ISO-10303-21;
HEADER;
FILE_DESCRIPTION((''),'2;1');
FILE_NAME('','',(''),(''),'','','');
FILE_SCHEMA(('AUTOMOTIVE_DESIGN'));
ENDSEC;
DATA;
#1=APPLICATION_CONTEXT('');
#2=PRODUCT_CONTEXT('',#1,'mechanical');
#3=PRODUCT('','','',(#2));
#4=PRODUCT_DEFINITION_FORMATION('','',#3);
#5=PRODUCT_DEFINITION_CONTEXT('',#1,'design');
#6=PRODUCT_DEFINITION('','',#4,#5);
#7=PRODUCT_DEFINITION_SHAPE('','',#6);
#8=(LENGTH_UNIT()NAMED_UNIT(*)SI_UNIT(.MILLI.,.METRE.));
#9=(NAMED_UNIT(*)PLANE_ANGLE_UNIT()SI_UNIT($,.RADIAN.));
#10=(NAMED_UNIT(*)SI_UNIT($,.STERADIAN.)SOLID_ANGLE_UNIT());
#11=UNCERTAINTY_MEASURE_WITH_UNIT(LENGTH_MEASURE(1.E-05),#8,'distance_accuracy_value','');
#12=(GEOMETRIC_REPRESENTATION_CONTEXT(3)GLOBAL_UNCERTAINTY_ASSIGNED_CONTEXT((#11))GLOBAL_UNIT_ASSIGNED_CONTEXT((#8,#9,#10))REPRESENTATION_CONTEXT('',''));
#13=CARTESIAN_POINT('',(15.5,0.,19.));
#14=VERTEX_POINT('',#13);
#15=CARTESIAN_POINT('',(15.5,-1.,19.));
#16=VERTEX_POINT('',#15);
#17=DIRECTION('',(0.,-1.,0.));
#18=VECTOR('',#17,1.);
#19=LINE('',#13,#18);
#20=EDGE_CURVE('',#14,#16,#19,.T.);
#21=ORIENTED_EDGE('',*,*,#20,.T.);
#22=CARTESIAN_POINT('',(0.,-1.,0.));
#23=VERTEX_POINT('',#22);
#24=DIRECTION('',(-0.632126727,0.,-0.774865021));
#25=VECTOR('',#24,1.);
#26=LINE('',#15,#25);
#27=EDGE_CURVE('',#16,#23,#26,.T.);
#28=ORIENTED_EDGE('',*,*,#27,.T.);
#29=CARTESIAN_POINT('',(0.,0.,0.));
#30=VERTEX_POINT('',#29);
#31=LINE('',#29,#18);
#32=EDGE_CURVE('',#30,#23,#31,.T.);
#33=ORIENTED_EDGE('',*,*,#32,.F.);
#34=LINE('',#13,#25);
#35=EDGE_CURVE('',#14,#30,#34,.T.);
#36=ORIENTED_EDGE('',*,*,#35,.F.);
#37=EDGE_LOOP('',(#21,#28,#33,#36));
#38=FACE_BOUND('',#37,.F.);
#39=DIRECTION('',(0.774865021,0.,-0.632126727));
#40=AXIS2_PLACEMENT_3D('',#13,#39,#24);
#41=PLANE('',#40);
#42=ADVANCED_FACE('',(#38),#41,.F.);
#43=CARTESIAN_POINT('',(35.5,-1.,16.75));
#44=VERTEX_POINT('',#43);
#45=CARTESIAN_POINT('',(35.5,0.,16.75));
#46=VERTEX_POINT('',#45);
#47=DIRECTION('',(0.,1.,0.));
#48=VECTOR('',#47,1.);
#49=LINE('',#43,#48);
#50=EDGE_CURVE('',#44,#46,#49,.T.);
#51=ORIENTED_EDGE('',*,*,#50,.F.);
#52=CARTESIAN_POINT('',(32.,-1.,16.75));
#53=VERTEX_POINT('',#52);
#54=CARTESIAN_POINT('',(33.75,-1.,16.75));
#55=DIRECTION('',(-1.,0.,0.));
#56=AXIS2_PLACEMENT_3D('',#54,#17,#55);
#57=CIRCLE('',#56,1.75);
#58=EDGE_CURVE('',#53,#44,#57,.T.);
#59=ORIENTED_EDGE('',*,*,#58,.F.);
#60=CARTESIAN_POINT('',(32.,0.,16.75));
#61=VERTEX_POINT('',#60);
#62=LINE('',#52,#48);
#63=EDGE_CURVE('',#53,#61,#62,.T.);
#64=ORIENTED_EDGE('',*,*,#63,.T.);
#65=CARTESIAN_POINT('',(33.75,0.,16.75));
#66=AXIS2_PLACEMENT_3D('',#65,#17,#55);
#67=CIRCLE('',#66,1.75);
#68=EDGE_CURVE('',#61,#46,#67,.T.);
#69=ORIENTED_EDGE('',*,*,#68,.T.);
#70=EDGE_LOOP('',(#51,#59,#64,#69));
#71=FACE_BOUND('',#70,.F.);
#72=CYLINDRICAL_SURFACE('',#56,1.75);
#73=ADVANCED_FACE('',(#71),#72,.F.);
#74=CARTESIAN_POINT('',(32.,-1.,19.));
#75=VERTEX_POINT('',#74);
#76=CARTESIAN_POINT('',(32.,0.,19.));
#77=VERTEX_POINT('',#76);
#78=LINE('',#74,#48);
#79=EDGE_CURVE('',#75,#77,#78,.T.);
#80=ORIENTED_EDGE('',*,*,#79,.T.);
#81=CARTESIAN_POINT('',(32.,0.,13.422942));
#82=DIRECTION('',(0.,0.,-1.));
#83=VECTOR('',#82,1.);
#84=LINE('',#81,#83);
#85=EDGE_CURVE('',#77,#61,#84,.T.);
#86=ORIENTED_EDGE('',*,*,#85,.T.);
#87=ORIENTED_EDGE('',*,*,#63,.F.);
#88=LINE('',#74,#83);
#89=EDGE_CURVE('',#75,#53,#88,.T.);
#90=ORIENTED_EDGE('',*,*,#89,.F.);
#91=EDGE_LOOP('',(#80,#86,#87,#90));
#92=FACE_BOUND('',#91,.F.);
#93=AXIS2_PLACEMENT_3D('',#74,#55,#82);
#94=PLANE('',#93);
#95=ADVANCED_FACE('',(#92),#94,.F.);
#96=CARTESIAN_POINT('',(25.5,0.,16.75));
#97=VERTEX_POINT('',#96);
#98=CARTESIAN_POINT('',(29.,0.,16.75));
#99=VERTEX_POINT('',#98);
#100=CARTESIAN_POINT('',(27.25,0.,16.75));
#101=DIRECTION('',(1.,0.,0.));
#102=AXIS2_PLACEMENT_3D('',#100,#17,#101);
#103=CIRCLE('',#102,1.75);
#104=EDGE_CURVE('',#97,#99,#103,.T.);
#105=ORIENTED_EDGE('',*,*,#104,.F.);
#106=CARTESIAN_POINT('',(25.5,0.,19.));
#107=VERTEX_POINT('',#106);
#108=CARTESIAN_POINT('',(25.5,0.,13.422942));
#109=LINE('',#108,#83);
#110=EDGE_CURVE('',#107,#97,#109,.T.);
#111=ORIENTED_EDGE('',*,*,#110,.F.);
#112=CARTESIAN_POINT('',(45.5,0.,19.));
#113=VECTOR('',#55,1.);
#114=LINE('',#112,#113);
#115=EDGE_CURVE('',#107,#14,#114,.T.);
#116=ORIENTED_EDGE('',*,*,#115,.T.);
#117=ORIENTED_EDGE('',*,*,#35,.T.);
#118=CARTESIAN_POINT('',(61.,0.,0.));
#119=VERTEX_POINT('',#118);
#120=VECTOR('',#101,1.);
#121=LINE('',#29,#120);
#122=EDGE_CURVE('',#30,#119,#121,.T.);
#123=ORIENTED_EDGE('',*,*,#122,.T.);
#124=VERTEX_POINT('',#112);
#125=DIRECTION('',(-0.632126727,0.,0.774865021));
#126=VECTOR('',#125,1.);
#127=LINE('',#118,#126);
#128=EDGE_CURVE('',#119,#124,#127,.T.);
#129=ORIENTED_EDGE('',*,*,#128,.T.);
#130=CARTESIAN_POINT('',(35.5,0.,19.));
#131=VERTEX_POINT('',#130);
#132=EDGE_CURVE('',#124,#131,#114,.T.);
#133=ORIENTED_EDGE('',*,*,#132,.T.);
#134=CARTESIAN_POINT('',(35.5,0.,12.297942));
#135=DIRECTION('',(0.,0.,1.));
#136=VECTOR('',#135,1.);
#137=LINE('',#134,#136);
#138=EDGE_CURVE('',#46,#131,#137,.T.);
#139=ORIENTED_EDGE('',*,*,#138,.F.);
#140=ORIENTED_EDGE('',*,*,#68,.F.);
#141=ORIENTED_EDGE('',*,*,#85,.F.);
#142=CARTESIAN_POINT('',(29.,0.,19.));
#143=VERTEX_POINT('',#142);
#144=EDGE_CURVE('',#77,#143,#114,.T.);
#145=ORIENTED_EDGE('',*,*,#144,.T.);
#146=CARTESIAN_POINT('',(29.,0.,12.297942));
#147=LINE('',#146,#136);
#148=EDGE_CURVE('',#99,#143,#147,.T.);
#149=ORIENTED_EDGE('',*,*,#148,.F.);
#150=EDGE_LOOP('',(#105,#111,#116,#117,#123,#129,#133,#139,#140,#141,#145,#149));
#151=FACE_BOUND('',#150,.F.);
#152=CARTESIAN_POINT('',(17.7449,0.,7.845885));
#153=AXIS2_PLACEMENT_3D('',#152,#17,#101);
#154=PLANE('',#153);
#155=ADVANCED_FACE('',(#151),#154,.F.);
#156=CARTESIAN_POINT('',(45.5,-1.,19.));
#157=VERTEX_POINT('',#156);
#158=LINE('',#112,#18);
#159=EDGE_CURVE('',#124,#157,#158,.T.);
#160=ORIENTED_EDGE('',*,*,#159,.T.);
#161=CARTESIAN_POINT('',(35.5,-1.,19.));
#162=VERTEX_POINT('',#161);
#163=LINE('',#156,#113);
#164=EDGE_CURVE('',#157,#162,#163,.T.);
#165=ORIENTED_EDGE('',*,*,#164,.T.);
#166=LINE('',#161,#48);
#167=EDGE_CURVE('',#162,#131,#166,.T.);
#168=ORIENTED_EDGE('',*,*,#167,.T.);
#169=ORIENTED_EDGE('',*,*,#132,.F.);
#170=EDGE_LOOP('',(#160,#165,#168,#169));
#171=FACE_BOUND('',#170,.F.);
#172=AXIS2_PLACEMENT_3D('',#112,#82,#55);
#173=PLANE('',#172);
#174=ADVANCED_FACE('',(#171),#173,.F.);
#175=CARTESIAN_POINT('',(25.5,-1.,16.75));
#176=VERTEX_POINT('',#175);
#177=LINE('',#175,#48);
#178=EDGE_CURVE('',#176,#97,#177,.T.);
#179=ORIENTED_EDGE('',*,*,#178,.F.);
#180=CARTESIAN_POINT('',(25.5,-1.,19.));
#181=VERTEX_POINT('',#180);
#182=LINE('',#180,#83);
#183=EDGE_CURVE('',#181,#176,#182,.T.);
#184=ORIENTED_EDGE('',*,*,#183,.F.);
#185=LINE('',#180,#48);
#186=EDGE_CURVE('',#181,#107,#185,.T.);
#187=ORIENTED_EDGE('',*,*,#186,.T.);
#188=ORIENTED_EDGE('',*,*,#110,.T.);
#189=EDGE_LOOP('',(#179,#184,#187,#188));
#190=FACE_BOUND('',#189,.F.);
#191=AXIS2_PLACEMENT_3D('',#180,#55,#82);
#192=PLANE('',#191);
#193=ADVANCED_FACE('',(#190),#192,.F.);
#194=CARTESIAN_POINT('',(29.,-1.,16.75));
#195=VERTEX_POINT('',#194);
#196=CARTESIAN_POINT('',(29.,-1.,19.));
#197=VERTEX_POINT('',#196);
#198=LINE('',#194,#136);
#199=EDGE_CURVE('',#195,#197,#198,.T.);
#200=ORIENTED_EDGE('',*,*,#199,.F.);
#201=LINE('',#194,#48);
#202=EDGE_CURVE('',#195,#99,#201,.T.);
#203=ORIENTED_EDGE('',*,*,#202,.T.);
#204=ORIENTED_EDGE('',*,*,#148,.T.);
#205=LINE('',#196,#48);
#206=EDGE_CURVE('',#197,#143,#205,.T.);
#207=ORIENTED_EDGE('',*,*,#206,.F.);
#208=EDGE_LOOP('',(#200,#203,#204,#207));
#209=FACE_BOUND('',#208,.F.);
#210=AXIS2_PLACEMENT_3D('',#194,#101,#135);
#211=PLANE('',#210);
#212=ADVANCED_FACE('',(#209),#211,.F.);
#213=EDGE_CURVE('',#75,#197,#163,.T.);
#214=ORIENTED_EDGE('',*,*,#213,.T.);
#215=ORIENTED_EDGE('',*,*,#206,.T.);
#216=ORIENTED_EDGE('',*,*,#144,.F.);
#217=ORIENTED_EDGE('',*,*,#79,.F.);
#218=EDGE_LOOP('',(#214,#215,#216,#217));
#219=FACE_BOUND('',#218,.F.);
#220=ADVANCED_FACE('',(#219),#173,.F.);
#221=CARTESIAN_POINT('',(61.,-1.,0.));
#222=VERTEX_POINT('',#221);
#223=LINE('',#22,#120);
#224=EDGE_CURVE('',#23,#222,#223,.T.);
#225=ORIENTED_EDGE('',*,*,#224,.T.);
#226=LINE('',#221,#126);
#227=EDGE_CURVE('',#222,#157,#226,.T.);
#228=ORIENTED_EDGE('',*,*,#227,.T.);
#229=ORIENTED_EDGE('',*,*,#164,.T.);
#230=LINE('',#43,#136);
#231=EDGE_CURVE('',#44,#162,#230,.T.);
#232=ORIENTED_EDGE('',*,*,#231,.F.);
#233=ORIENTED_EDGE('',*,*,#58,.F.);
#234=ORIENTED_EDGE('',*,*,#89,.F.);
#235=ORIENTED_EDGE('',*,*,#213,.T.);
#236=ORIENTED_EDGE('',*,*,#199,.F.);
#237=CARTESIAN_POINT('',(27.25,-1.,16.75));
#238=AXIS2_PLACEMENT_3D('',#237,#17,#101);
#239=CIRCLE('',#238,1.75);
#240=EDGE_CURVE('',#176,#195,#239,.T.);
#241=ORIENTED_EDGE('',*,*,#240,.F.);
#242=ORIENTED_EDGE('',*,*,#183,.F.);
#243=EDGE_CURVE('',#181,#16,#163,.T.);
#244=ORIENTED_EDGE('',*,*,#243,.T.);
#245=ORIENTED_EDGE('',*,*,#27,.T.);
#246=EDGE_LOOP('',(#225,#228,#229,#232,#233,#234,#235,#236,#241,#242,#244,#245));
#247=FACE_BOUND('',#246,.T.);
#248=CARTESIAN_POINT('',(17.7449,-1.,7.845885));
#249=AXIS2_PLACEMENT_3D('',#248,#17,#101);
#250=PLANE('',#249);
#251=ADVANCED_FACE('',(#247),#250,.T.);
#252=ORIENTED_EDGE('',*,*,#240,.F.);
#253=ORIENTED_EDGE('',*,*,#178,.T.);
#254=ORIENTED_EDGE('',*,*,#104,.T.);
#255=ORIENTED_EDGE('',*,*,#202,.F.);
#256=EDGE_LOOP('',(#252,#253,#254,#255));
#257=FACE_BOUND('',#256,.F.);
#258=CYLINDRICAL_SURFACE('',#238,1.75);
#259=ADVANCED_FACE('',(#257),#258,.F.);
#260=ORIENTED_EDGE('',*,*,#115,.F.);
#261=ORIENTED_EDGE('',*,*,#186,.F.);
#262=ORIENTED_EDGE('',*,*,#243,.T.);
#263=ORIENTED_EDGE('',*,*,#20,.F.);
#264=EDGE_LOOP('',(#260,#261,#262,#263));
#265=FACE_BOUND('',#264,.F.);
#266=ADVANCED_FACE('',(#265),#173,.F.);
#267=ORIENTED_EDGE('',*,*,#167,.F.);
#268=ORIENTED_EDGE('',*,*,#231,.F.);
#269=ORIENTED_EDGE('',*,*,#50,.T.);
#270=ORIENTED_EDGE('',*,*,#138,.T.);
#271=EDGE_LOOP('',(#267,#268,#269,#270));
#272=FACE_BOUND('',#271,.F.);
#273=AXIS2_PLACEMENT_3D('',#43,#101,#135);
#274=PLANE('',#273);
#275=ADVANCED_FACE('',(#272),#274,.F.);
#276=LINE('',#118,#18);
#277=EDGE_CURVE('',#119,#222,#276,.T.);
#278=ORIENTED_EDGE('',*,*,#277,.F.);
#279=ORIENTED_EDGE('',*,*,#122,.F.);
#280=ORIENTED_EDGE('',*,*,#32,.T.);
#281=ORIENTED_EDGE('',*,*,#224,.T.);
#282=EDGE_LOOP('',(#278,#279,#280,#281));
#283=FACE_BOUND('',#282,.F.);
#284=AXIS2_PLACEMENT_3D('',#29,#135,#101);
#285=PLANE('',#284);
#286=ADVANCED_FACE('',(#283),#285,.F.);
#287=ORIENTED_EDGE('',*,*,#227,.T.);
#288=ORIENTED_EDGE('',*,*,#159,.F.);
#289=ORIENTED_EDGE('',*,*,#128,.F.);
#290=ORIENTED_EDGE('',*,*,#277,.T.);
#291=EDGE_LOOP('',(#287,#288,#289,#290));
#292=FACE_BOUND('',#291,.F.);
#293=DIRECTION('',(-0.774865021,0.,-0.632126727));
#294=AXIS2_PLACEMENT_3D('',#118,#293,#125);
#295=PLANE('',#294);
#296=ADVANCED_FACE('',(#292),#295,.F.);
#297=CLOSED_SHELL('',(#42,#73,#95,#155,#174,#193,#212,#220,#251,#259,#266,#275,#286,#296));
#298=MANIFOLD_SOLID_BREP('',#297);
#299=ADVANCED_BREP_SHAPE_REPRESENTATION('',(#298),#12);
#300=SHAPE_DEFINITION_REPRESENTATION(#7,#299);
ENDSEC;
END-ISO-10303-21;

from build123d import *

# Parameters (mm, degrees)
F1_DEPTH = 1
F3_DEPTH = 25


with BuildPart() as f1:
    # F0 (on Front) → F1 (new body)
    with BuildSketch(Plane.XZ):
        Polygon((15.5, 19), (0, 0), (30.5, 0), (30.5, 19), align=None)
        Polygon((30.5, 19), (30.5, 0), (61, 0), (45.5, 19), align=None)
    extrude(amount=F1_DEPTH)

    # F2 (on face) → F3 (cut)
    with BuildSketch(Plane.XZ.offset(1)):
        with BuildLine():
            ThreePointArc((25.5, 16.75), (27.25, 15), (29, 16.75))
            ThreePointArc((29, 16.75), (27.25, 18.5), (25.5, 16.75))
        make_face()
        with BuildLine():
            ThreePointArc((35.5, 16.75), (33.75, 18.5), (32, 16.75))
            ThreePointArc((32, 16.75), (33.75, 15), (35.5, 16.75))
        make_face()
        with BuildLine():
            Line((35.5, 19), (32, 19))
            Line((32, 19), (32, 16.75))
            ThreePointArc((32, 16.75), (33.75, 18.5), (35.5, 16.75))
            Line((35.5, 16.75), (35.5, 19))
        make_face()
        with BuildLine():
            Line((29, 16.75), (29, 19))
            Line((29, 19), (25.5, 19))
            Line((25.5, 19), (25.5, 16.75))
            ThreePointArc((25.5, 16.75), (27.25, 18.5), (29, 16.75))
        make_face()
    extrude(amount=-F3_DEPTH, mode=Mode.SUBTRACT)


solid = f1.part
